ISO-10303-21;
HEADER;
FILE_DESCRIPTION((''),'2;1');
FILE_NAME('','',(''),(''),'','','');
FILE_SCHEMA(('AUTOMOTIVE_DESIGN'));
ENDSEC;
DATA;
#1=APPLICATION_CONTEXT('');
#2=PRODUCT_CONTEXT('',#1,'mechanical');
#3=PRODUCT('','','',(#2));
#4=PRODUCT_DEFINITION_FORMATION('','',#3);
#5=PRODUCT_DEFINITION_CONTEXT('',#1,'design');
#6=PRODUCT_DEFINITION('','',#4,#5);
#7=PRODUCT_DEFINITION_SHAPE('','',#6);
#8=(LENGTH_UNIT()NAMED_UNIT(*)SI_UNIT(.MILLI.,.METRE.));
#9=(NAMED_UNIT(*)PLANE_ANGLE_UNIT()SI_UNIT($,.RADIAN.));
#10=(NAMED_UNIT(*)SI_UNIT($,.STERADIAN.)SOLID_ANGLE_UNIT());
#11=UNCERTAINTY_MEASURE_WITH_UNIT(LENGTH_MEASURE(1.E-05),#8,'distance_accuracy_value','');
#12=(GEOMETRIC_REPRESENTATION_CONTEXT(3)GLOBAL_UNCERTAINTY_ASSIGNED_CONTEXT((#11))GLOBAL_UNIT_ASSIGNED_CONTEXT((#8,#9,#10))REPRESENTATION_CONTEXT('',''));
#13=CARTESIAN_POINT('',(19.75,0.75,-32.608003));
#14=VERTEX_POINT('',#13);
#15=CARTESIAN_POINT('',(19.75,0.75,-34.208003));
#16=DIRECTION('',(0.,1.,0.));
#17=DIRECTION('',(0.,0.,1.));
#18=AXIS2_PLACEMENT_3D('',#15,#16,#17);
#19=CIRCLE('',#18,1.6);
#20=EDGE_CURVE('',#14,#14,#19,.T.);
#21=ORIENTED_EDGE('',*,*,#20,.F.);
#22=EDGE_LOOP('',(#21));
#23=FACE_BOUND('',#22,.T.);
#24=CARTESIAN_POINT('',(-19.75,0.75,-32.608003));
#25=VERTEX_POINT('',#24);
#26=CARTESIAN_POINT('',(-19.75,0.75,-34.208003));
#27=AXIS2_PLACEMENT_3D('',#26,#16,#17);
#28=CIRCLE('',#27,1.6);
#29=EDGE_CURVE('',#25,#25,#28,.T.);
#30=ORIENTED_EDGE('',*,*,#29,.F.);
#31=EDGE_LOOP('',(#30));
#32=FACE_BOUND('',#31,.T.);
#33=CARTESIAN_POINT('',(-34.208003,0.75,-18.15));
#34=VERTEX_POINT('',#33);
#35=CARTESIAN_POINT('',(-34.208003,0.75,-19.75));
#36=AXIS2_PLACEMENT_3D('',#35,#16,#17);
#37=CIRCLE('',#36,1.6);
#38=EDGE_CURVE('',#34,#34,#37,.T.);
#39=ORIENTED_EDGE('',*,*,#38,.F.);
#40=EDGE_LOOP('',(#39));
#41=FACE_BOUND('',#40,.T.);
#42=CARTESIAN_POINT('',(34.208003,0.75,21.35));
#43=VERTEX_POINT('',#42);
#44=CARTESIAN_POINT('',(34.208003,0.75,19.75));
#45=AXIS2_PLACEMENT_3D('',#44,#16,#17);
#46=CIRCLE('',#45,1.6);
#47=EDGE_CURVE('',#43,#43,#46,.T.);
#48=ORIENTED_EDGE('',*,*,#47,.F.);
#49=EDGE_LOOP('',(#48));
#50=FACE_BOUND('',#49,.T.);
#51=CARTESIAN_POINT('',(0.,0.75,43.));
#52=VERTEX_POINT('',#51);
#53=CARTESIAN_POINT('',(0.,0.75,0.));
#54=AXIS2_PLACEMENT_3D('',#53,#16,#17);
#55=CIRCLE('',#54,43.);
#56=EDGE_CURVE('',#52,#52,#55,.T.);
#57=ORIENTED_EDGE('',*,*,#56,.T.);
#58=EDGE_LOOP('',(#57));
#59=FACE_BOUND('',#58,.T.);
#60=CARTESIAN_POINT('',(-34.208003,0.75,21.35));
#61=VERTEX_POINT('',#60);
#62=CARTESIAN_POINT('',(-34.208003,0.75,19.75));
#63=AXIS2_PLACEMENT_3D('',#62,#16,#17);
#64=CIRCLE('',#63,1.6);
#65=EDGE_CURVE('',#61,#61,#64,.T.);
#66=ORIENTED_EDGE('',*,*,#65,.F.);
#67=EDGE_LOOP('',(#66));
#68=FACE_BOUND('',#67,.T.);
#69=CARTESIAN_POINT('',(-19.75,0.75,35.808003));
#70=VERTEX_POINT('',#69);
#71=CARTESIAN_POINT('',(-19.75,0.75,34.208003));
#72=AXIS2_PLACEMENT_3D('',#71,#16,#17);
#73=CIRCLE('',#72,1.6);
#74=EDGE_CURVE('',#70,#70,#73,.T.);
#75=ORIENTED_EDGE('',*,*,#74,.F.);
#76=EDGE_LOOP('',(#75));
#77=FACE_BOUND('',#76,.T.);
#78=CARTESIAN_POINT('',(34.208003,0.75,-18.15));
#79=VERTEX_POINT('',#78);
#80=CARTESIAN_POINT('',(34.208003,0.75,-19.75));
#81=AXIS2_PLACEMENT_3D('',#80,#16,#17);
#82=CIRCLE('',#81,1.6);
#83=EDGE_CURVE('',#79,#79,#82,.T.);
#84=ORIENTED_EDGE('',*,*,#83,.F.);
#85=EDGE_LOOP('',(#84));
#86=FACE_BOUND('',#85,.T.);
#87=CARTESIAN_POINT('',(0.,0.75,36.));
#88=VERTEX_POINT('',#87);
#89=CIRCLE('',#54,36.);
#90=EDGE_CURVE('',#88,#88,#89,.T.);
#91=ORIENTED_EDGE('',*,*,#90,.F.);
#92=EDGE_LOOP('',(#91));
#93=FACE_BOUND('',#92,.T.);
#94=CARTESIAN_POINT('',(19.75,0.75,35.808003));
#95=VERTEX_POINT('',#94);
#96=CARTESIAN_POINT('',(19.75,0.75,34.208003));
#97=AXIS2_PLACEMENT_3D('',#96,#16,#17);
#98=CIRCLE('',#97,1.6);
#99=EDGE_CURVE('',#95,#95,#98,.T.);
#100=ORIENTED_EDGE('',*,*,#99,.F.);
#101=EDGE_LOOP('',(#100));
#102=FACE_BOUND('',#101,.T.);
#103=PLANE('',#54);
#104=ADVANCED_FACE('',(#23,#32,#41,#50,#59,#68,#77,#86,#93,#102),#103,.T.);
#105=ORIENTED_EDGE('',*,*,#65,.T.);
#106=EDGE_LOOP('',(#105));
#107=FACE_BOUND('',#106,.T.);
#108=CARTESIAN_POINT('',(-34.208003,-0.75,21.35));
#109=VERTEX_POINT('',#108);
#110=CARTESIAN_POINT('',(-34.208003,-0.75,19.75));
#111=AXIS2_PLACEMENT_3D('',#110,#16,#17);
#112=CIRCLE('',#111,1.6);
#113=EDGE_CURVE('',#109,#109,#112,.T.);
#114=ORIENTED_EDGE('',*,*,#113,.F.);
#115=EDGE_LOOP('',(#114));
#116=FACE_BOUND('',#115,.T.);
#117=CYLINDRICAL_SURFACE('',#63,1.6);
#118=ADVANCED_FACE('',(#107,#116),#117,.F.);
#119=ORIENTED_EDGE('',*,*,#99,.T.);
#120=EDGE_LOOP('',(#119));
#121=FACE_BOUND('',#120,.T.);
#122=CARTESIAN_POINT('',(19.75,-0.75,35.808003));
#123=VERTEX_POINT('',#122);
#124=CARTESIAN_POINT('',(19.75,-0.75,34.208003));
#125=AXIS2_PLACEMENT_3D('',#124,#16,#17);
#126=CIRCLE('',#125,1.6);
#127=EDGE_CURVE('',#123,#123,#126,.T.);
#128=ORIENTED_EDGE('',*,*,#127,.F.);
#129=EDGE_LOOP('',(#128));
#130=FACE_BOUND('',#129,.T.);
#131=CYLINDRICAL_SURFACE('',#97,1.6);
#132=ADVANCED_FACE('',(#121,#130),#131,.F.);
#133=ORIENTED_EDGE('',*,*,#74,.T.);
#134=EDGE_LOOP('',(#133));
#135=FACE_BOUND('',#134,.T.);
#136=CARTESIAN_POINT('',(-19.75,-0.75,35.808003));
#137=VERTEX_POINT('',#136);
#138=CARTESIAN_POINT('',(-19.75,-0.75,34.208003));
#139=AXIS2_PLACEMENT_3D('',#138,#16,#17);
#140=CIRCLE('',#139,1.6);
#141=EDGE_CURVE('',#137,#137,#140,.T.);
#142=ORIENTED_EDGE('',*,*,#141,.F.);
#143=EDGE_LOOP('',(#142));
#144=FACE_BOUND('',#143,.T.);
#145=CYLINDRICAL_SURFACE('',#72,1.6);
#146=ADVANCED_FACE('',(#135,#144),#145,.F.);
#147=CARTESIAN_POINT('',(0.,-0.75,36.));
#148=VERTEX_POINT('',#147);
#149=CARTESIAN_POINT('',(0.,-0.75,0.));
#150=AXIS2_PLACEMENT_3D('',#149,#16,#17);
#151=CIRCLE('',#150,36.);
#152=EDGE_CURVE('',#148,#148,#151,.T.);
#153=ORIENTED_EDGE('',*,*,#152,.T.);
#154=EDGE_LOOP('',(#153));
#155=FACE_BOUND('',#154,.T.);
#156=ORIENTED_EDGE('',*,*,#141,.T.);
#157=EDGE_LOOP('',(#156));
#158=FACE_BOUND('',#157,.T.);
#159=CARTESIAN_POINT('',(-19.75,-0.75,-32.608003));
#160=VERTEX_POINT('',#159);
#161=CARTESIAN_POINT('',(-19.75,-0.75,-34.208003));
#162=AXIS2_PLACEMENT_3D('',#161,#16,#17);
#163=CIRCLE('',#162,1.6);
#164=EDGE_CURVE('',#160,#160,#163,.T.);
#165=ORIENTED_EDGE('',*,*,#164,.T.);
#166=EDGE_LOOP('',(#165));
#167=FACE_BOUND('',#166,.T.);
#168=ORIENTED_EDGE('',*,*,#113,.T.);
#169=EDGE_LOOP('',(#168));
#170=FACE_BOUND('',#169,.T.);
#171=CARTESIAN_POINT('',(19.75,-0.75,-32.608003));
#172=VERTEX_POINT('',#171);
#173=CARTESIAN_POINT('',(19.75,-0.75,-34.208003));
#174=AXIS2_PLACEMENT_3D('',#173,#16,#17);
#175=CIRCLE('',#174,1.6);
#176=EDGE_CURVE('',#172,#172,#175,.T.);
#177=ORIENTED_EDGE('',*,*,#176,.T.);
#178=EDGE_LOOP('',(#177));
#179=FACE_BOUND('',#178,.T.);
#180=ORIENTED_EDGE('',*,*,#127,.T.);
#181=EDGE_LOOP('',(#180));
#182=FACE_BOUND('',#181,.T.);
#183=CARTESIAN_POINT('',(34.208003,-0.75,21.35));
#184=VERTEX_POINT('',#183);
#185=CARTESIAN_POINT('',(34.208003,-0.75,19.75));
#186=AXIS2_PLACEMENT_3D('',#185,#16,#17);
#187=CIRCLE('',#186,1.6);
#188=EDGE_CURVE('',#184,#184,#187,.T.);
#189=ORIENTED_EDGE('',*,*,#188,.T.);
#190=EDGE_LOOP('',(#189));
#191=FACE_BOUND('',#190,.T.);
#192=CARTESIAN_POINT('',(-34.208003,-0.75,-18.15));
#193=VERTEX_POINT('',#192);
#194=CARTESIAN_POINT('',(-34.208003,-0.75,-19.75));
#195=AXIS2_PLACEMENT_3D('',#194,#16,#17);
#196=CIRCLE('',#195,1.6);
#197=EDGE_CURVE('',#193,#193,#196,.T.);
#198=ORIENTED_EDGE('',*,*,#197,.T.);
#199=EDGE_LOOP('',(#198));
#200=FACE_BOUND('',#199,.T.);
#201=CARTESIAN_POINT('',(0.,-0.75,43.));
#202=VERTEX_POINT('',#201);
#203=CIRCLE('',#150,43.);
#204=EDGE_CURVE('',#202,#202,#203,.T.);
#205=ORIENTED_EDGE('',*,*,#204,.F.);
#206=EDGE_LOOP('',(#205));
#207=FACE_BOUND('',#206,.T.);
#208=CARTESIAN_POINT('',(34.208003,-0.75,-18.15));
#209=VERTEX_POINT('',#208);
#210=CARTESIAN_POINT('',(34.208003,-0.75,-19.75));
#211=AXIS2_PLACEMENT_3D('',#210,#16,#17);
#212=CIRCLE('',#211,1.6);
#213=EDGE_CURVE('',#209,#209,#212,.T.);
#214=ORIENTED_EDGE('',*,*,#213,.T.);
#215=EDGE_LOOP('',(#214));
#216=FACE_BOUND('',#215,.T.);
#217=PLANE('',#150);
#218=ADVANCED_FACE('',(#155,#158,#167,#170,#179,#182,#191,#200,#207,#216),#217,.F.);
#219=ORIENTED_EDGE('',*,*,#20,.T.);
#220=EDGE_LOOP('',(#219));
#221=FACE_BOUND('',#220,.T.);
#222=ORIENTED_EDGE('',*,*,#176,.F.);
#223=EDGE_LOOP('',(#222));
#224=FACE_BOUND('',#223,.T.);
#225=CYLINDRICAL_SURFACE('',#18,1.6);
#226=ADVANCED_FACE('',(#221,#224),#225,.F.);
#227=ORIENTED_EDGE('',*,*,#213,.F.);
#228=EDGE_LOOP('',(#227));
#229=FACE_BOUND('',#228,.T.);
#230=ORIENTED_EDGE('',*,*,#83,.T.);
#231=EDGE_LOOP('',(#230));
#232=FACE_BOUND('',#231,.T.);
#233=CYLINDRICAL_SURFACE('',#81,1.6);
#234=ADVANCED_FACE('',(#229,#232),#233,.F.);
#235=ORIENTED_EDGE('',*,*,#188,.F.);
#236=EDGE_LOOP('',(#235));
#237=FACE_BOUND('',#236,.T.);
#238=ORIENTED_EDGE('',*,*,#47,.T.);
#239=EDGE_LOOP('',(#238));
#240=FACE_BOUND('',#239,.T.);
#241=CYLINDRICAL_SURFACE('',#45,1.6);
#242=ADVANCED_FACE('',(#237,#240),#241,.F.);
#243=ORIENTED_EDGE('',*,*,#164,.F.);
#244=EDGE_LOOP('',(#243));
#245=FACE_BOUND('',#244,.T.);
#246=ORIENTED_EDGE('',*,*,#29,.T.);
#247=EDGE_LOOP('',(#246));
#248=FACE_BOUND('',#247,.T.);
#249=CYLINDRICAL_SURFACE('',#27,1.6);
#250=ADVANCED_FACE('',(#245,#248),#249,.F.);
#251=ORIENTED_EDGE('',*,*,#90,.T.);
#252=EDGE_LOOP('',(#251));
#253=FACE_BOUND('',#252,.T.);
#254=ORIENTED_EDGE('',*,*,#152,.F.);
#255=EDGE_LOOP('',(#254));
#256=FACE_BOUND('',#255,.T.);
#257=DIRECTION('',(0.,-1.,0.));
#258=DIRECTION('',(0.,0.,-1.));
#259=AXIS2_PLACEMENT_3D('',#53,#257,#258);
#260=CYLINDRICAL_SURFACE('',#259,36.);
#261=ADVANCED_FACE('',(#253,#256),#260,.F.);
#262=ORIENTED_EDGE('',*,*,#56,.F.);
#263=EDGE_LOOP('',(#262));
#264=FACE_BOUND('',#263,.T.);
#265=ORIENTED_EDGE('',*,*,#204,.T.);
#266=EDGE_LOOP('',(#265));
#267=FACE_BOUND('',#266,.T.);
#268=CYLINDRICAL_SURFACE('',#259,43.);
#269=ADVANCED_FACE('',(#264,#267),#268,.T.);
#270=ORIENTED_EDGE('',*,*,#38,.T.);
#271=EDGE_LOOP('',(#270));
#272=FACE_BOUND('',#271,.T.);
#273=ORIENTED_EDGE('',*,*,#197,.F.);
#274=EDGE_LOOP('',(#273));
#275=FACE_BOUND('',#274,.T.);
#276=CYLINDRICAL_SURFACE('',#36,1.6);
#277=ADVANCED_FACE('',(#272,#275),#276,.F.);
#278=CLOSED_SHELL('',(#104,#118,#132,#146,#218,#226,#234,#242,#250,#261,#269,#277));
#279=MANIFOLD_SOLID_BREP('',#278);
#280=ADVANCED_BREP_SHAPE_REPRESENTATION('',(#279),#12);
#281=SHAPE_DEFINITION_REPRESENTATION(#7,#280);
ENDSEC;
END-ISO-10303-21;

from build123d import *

# Parameters (mm, degrees)
SKETCH1_R                  = 43
SKETCH1_R_2                = 36
BOSS_EXTRUDE1_DEPTH        = 0.75
F_3_2_3_2_DIAMETER_HOLE1_D = 3.2


with BuildPart() as part:
    # Sketch1 → Boss-Extrude1 (new body, symmetric)
    with BuildSketch(Plane(origin=(0, 0, 0), x_dir=(1, 0, 0), z_dir=(0, 1, 0))):
        Circle(SKETCH1_R)
        Circle(SKETCH1_R_2, mode=Mode.SUBTRACT)
    extrude(amount=BOSS_EXTRUDE1_DEPTH, both=True)

    # Ø3.2 (3.2) Diameter Hole1 (through all)
    with Locations(Plane(origin=(0, 0.75, 0), x_dir=(1, 0, 0), z_dir=(0, 1, 0))):
        with Locations((-34.208003449, -19.75), (-34.208003449, 19.75), (-19.75, 34.208003449), (19.75, 34.208003449), (34.208003449, 19.75), (34.208003449, -19.75), (19.75, -34.208003449), (-19.75, -34.208003449), (0, 0)):
            Hole(F_3_2_3_2_DIAMETER_HOLE1_D / 2)


solid = part.part
